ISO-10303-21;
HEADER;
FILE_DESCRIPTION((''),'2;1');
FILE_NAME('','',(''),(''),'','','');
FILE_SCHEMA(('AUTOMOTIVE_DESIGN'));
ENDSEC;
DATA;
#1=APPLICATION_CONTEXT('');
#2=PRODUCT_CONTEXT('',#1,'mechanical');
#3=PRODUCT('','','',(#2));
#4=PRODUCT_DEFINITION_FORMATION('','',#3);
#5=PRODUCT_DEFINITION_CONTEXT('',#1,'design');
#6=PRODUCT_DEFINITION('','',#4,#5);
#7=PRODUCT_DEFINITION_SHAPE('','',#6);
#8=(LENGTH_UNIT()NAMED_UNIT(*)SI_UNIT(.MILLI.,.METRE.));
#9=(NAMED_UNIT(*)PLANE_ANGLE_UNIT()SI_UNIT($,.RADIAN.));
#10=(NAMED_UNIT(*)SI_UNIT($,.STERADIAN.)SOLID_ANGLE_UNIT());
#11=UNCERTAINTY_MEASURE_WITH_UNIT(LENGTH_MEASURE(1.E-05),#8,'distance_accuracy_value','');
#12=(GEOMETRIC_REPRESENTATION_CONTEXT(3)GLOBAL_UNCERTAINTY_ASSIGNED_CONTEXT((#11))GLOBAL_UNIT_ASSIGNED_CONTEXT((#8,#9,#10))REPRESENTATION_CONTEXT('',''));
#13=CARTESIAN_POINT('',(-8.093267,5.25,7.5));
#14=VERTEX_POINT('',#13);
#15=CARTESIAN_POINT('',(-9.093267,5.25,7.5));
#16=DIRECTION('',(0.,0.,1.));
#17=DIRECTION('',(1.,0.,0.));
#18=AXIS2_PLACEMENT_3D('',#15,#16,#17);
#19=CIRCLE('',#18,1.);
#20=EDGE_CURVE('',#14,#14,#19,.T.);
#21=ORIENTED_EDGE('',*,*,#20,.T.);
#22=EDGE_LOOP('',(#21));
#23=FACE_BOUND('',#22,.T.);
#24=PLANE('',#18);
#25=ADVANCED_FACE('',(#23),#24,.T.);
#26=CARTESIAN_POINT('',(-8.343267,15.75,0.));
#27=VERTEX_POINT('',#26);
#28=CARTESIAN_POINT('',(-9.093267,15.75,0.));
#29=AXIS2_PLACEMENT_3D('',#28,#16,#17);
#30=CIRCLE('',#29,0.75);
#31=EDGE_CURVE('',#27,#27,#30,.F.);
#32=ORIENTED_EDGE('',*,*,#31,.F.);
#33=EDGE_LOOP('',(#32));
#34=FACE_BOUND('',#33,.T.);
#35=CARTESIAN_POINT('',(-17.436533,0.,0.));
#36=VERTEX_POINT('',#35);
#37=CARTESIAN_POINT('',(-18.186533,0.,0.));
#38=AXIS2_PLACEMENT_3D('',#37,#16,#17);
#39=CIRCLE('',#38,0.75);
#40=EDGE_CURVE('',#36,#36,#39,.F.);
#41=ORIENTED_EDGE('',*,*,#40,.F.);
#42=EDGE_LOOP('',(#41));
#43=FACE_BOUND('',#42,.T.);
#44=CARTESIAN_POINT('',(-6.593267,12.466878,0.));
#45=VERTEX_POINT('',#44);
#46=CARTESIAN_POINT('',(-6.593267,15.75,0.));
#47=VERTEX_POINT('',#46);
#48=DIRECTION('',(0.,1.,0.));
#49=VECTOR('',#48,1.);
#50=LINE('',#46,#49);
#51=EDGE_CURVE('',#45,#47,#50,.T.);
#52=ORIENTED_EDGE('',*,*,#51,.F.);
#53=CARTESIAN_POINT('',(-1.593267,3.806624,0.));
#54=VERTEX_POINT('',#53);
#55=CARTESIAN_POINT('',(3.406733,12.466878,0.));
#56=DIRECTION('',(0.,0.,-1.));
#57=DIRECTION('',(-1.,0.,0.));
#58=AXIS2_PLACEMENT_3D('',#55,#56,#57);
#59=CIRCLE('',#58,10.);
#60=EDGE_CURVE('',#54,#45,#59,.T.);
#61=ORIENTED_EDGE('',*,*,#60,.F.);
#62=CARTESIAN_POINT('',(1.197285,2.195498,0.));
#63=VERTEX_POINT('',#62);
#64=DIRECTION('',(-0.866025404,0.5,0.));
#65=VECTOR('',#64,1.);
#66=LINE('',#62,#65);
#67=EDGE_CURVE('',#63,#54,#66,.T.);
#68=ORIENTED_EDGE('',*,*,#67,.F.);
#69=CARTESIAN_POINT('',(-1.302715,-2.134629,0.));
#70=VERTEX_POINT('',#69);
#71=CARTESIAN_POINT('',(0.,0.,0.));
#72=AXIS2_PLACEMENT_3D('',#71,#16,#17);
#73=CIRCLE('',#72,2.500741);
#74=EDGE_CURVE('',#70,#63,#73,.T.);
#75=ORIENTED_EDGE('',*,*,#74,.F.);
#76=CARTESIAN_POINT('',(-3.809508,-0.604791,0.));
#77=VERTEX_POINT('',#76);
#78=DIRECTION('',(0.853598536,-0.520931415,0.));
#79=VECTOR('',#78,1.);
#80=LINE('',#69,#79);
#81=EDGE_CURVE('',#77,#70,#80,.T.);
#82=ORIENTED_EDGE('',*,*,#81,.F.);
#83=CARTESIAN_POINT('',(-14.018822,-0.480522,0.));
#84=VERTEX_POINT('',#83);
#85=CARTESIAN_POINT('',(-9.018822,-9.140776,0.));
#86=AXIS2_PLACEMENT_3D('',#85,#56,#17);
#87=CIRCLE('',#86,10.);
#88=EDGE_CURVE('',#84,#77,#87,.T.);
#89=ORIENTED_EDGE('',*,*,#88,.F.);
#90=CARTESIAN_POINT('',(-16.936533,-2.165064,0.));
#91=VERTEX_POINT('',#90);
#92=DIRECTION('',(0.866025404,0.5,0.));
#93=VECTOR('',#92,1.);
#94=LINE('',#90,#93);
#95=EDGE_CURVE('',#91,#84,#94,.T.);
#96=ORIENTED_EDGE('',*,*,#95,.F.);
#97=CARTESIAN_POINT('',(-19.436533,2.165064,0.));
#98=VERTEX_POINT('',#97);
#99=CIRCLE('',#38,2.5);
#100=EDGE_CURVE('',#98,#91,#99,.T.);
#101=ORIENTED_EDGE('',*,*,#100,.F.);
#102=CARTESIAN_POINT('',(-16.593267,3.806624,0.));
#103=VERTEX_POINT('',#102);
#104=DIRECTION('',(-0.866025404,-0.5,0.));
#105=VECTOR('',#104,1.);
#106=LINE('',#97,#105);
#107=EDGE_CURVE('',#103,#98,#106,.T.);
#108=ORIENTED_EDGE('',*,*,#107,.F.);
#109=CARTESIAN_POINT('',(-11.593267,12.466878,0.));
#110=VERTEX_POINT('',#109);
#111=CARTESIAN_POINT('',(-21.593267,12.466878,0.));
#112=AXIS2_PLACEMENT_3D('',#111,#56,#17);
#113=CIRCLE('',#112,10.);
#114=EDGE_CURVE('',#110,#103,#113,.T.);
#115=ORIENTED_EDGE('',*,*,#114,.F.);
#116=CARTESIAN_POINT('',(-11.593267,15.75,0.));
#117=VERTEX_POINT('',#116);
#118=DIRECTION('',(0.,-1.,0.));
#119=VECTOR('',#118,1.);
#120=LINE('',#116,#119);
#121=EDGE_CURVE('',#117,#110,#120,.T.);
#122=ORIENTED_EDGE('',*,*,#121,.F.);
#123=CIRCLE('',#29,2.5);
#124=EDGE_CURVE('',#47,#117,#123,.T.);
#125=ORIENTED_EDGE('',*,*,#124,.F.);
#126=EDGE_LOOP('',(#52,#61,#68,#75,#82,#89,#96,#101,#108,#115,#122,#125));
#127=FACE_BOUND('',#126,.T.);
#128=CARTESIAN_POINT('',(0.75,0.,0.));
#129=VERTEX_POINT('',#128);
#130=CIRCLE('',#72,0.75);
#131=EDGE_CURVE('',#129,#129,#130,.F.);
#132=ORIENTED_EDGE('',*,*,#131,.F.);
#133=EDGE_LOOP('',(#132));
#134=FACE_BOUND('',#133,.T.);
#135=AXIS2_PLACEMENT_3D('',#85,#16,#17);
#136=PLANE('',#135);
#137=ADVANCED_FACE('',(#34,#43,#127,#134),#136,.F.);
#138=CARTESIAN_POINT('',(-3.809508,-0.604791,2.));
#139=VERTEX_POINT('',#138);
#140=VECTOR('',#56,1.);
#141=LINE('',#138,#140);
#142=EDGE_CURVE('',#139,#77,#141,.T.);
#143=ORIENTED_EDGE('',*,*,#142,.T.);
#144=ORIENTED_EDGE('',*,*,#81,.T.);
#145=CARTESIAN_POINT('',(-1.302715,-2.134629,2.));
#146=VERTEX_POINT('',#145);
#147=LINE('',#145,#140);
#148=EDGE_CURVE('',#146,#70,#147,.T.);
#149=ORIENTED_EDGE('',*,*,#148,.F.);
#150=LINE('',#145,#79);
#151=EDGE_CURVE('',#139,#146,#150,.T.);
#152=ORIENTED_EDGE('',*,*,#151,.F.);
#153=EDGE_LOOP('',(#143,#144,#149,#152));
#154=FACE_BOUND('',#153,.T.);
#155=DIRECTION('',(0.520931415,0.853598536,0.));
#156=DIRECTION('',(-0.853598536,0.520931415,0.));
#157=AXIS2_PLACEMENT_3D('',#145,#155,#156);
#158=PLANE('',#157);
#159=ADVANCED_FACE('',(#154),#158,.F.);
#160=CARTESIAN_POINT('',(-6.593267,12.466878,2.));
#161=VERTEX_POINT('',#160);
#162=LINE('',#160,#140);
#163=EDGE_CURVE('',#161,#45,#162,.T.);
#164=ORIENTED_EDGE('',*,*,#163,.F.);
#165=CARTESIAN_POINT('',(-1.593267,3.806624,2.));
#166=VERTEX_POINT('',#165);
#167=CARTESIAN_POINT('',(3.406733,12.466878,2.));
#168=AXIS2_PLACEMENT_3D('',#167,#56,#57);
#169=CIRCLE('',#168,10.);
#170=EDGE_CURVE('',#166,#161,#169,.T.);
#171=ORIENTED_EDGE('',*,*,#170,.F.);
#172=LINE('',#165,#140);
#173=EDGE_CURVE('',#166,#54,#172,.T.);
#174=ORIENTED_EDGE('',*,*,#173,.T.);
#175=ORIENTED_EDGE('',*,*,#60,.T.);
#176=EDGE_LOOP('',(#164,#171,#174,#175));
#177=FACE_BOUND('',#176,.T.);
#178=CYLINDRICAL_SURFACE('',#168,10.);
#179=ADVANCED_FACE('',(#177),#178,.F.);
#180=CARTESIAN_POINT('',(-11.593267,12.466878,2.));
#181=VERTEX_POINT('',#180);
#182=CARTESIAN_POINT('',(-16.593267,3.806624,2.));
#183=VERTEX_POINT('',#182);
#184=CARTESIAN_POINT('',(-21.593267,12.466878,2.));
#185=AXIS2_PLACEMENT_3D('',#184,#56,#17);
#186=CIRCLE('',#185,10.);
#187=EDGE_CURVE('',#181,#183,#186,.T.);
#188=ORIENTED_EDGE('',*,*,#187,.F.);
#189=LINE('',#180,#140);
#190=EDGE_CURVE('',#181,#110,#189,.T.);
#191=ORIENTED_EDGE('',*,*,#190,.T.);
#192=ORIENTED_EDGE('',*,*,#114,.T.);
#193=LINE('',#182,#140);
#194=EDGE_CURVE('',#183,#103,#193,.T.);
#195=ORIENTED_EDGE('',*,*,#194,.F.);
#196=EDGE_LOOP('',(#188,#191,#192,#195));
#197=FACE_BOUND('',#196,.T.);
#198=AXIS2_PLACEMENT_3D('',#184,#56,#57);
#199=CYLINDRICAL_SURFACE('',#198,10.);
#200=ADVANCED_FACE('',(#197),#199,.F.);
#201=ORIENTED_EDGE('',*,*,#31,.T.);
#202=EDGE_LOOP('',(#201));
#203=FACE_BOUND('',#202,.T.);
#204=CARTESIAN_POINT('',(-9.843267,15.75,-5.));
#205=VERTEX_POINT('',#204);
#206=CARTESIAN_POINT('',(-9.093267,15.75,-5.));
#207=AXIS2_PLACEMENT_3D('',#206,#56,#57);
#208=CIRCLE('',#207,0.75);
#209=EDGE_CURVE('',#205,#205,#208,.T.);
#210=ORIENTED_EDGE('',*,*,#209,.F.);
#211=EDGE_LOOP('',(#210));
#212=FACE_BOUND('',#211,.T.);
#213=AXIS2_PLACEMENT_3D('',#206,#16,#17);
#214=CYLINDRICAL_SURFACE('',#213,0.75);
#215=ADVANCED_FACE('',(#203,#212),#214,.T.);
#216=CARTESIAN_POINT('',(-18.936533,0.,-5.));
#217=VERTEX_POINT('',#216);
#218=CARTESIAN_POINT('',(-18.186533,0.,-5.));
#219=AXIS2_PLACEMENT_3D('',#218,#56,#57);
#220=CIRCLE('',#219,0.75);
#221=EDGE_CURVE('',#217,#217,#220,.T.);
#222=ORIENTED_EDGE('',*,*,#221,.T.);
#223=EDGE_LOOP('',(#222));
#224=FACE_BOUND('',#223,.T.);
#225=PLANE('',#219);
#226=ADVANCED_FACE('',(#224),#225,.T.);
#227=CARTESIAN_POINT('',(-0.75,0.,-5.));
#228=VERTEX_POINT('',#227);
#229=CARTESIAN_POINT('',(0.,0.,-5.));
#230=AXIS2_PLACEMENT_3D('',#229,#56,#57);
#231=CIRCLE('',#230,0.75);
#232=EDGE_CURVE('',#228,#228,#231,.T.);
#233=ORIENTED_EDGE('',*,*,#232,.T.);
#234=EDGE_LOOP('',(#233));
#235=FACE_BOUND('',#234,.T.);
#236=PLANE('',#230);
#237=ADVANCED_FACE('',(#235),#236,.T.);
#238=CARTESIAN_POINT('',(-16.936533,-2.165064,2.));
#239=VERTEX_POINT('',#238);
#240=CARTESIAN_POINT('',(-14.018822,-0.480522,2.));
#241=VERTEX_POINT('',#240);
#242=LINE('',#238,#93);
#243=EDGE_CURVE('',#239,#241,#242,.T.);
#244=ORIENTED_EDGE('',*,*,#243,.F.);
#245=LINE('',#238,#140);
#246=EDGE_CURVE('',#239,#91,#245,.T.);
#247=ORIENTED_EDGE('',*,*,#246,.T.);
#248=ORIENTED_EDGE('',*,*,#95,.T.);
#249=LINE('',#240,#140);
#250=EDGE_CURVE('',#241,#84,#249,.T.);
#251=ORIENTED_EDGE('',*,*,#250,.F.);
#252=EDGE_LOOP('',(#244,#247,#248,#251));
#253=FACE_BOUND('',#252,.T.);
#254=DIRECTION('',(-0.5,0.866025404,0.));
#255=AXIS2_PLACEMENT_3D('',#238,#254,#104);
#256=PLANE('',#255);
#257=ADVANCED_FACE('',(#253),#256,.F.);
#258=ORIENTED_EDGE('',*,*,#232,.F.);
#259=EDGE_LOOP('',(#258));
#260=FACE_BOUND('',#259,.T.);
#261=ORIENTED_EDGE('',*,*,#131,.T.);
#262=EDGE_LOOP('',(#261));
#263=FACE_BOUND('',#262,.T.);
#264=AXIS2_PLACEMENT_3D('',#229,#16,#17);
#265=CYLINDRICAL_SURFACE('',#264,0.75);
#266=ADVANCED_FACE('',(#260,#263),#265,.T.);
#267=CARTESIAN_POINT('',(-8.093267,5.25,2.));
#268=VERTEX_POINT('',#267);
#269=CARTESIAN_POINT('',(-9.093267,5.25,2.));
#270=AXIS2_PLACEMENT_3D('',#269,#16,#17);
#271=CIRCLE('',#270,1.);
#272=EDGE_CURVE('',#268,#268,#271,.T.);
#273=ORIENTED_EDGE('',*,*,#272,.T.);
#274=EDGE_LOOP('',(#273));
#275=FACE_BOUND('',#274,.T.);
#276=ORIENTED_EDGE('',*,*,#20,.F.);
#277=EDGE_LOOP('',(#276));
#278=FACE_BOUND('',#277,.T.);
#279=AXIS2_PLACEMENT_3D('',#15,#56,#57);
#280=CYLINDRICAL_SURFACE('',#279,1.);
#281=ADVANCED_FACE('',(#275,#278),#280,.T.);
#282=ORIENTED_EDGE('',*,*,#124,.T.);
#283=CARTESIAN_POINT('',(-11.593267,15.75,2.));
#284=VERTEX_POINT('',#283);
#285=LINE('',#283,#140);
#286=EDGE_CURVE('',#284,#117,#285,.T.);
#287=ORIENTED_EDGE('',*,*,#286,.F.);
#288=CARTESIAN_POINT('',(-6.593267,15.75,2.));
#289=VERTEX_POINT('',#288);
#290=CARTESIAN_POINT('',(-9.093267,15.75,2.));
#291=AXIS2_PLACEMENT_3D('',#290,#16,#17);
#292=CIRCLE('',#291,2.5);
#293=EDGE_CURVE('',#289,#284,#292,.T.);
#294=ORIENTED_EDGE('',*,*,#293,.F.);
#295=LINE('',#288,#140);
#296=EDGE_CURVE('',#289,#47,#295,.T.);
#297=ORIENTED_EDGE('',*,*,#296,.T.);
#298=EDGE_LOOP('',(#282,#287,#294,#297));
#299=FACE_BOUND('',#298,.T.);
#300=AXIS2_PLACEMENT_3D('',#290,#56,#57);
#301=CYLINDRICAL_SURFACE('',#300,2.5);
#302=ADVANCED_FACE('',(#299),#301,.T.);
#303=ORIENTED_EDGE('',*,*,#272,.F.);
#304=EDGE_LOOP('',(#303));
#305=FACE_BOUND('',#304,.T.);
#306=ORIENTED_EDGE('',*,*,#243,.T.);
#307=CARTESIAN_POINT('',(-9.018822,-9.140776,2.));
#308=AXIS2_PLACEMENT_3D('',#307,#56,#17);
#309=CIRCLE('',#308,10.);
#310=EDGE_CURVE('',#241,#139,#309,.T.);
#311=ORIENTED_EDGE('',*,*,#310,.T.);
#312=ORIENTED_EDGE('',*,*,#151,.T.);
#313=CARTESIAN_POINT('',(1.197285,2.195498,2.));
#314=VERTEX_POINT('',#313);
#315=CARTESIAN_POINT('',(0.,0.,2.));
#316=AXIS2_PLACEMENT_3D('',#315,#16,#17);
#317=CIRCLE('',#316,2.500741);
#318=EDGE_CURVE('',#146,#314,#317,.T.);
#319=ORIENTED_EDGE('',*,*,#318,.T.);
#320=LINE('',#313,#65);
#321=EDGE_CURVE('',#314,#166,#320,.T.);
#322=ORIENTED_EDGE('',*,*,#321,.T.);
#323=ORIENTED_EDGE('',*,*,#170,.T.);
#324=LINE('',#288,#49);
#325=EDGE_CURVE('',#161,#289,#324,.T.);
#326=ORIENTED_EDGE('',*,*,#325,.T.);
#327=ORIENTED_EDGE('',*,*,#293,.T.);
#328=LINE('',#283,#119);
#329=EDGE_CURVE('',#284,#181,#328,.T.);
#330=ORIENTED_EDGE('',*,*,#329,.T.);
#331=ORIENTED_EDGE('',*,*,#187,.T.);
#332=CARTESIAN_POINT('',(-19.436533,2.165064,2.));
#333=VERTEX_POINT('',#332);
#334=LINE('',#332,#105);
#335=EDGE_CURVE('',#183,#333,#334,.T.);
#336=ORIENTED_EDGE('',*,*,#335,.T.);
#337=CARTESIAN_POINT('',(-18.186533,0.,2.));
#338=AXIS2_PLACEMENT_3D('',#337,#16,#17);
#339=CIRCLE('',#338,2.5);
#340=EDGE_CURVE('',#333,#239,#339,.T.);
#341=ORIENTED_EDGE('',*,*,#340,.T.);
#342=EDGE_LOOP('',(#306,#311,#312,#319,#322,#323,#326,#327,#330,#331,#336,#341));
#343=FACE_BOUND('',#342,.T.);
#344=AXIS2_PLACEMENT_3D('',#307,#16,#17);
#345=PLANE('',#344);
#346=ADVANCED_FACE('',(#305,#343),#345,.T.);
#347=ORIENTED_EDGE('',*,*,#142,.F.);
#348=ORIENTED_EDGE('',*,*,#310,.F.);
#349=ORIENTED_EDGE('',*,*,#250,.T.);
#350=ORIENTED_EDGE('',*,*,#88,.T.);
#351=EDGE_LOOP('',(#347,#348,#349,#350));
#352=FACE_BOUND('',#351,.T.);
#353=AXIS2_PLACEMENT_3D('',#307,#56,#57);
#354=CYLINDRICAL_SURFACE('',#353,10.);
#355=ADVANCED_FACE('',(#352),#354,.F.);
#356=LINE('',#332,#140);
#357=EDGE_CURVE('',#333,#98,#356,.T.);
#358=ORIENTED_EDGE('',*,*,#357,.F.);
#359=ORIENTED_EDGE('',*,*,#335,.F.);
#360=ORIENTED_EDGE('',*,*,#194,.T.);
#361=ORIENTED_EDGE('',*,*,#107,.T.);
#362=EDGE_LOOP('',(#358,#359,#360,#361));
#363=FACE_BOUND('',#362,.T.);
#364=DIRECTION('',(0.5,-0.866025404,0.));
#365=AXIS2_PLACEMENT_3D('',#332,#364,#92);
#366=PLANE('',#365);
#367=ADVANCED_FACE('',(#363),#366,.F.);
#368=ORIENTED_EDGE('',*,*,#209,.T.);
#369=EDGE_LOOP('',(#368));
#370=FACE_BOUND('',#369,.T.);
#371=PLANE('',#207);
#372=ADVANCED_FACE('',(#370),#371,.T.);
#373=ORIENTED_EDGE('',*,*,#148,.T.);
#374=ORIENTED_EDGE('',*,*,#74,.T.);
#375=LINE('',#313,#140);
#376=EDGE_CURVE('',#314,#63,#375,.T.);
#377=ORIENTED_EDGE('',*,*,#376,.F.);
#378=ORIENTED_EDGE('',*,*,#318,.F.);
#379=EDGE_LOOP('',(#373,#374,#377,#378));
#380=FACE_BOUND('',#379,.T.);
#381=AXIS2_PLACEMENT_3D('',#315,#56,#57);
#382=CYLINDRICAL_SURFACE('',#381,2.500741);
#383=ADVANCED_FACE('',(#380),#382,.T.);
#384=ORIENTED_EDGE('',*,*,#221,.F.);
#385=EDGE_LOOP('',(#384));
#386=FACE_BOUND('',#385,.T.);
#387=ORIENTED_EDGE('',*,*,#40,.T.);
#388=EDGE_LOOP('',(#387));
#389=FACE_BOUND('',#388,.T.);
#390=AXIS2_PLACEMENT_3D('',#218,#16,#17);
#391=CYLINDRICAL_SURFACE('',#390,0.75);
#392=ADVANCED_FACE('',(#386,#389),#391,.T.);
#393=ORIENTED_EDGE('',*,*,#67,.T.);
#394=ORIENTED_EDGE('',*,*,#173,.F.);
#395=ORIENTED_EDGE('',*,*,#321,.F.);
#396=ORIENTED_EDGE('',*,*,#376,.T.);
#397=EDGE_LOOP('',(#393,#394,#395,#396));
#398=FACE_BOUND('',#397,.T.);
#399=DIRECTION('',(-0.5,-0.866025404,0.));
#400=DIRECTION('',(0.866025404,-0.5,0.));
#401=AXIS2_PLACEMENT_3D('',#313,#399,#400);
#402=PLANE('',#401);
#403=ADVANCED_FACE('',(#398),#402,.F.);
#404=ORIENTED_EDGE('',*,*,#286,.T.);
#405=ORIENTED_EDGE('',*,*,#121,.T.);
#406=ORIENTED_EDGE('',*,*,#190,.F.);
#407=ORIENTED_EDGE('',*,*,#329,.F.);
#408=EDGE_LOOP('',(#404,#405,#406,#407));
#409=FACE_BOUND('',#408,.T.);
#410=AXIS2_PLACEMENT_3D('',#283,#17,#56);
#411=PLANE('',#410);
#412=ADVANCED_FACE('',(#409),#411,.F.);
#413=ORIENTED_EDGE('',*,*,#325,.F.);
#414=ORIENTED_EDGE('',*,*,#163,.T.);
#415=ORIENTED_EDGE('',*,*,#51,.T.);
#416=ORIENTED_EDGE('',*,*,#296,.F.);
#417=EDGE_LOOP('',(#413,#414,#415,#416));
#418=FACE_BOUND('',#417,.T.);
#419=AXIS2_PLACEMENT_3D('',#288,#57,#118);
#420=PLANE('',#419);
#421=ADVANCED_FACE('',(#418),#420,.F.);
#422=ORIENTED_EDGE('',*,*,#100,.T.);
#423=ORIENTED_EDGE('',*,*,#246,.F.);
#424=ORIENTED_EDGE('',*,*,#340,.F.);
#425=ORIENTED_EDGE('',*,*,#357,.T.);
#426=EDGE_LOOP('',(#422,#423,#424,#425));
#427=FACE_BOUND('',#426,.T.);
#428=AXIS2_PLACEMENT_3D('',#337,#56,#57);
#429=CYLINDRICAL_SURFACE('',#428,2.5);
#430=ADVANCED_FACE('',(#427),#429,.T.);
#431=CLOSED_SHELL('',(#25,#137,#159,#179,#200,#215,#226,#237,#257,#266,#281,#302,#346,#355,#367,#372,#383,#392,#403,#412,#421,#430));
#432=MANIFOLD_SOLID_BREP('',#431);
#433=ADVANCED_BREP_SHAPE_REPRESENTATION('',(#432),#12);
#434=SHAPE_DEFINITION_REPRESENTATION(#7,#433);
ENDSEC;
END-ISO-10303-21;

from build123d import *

# Parameters (mm, degrees)
EXTRUDE_1_DEPTH = 2
SKETCH_2_R      = 0.75
EXTRUDE_2_DEPTH = 5
SKETCH_4_R      = 1
EXTRUDE_3_DEPTH = 5.5


with BuildPart() as part:
    # Эскиз1 → Бобышка-Вытянуть1 (new body)
    with BuildSketch(Plane.XY):
        with BuildLine():
            Line((-1.3027145, -2.134628779), (-3.80950787, -0.604790849))
            ThreePointArc((-3.80950787, -0.604790849), (-8.89711015, 0.858483074), (-14.018822021, -0.480522171))
            Line((-14.018822021, -0.480522171), (-16.936533206, -2.16506351))
            ThreePointArc((-16.936533206, -2.16506351), (-20.351596716, -1.25), (-19.436533206, 2.16506351))
            Line((-19.436533206, 2.16506351), (-16.593266604, 3.806624248))
            ThreePointArc((-16.593266604, 3.806624248), (-12.933012566, 7.466878286), (-11.593266604, 12.466878286))
            Line((-11.593266604, 12.466878286), (-11.593266604, 15.749999763))
            ThreePointArc((-11.593266604, 15.749999763), (-9.093266603, 18.249999764), (-6.593266603, 15.749999763))
            Line((-6.593266603, 15.749999763), (-6.593266603, 12.466878286))
            ThreePointArc((-6.593266603, 12.466878286), (-5.253520641, 7.466878286), (-1.593266603, 3.806624248))
            Line((-1.593266603, 3.806624248), (1.1972855, 2.19549824))
            ThreePointArc((1.1972855, 2.19549824), (2.165705155, -1.250370454), (-1.3027145, -2.134628779))
        make_face()
    extrude(amount=EXTRUDE_1_DEPTH)

    # Эскиз2 → Бобышка-Вытянуть2 (add)
    with BuildSketch(Plane(origin=(0, 0, 0), x_dir=(-1, 0, 0), z_dir=(0, 0, -1))):
        with Locations(Location((0, 0, 0), (0, 0, 180))):
            Circle(SKETCH_2_R)
        with Locations(Location((9.093266603, 15.749999763, 0), (0, 0, 180))):
            Circle(SKETCH_2_R)
        with Locations(Location((18.186533206, 0, 0), (0, 0, 180))):
            Circle(SKETCH_2_R)
    extrude(amount=EXTRUDE_2_DEPTH)

    # Эскиз4 → Бобышка-Вытянуть3 (add)
    with BuildSketch(Plane.XY.offset(2)):
        with Locations((-9.093266603, 5.249999921)):
            Circle(SKETCH_4_R)
    extrude(amount=EXTRUDE_3_DEPTH)


solid = part.part
